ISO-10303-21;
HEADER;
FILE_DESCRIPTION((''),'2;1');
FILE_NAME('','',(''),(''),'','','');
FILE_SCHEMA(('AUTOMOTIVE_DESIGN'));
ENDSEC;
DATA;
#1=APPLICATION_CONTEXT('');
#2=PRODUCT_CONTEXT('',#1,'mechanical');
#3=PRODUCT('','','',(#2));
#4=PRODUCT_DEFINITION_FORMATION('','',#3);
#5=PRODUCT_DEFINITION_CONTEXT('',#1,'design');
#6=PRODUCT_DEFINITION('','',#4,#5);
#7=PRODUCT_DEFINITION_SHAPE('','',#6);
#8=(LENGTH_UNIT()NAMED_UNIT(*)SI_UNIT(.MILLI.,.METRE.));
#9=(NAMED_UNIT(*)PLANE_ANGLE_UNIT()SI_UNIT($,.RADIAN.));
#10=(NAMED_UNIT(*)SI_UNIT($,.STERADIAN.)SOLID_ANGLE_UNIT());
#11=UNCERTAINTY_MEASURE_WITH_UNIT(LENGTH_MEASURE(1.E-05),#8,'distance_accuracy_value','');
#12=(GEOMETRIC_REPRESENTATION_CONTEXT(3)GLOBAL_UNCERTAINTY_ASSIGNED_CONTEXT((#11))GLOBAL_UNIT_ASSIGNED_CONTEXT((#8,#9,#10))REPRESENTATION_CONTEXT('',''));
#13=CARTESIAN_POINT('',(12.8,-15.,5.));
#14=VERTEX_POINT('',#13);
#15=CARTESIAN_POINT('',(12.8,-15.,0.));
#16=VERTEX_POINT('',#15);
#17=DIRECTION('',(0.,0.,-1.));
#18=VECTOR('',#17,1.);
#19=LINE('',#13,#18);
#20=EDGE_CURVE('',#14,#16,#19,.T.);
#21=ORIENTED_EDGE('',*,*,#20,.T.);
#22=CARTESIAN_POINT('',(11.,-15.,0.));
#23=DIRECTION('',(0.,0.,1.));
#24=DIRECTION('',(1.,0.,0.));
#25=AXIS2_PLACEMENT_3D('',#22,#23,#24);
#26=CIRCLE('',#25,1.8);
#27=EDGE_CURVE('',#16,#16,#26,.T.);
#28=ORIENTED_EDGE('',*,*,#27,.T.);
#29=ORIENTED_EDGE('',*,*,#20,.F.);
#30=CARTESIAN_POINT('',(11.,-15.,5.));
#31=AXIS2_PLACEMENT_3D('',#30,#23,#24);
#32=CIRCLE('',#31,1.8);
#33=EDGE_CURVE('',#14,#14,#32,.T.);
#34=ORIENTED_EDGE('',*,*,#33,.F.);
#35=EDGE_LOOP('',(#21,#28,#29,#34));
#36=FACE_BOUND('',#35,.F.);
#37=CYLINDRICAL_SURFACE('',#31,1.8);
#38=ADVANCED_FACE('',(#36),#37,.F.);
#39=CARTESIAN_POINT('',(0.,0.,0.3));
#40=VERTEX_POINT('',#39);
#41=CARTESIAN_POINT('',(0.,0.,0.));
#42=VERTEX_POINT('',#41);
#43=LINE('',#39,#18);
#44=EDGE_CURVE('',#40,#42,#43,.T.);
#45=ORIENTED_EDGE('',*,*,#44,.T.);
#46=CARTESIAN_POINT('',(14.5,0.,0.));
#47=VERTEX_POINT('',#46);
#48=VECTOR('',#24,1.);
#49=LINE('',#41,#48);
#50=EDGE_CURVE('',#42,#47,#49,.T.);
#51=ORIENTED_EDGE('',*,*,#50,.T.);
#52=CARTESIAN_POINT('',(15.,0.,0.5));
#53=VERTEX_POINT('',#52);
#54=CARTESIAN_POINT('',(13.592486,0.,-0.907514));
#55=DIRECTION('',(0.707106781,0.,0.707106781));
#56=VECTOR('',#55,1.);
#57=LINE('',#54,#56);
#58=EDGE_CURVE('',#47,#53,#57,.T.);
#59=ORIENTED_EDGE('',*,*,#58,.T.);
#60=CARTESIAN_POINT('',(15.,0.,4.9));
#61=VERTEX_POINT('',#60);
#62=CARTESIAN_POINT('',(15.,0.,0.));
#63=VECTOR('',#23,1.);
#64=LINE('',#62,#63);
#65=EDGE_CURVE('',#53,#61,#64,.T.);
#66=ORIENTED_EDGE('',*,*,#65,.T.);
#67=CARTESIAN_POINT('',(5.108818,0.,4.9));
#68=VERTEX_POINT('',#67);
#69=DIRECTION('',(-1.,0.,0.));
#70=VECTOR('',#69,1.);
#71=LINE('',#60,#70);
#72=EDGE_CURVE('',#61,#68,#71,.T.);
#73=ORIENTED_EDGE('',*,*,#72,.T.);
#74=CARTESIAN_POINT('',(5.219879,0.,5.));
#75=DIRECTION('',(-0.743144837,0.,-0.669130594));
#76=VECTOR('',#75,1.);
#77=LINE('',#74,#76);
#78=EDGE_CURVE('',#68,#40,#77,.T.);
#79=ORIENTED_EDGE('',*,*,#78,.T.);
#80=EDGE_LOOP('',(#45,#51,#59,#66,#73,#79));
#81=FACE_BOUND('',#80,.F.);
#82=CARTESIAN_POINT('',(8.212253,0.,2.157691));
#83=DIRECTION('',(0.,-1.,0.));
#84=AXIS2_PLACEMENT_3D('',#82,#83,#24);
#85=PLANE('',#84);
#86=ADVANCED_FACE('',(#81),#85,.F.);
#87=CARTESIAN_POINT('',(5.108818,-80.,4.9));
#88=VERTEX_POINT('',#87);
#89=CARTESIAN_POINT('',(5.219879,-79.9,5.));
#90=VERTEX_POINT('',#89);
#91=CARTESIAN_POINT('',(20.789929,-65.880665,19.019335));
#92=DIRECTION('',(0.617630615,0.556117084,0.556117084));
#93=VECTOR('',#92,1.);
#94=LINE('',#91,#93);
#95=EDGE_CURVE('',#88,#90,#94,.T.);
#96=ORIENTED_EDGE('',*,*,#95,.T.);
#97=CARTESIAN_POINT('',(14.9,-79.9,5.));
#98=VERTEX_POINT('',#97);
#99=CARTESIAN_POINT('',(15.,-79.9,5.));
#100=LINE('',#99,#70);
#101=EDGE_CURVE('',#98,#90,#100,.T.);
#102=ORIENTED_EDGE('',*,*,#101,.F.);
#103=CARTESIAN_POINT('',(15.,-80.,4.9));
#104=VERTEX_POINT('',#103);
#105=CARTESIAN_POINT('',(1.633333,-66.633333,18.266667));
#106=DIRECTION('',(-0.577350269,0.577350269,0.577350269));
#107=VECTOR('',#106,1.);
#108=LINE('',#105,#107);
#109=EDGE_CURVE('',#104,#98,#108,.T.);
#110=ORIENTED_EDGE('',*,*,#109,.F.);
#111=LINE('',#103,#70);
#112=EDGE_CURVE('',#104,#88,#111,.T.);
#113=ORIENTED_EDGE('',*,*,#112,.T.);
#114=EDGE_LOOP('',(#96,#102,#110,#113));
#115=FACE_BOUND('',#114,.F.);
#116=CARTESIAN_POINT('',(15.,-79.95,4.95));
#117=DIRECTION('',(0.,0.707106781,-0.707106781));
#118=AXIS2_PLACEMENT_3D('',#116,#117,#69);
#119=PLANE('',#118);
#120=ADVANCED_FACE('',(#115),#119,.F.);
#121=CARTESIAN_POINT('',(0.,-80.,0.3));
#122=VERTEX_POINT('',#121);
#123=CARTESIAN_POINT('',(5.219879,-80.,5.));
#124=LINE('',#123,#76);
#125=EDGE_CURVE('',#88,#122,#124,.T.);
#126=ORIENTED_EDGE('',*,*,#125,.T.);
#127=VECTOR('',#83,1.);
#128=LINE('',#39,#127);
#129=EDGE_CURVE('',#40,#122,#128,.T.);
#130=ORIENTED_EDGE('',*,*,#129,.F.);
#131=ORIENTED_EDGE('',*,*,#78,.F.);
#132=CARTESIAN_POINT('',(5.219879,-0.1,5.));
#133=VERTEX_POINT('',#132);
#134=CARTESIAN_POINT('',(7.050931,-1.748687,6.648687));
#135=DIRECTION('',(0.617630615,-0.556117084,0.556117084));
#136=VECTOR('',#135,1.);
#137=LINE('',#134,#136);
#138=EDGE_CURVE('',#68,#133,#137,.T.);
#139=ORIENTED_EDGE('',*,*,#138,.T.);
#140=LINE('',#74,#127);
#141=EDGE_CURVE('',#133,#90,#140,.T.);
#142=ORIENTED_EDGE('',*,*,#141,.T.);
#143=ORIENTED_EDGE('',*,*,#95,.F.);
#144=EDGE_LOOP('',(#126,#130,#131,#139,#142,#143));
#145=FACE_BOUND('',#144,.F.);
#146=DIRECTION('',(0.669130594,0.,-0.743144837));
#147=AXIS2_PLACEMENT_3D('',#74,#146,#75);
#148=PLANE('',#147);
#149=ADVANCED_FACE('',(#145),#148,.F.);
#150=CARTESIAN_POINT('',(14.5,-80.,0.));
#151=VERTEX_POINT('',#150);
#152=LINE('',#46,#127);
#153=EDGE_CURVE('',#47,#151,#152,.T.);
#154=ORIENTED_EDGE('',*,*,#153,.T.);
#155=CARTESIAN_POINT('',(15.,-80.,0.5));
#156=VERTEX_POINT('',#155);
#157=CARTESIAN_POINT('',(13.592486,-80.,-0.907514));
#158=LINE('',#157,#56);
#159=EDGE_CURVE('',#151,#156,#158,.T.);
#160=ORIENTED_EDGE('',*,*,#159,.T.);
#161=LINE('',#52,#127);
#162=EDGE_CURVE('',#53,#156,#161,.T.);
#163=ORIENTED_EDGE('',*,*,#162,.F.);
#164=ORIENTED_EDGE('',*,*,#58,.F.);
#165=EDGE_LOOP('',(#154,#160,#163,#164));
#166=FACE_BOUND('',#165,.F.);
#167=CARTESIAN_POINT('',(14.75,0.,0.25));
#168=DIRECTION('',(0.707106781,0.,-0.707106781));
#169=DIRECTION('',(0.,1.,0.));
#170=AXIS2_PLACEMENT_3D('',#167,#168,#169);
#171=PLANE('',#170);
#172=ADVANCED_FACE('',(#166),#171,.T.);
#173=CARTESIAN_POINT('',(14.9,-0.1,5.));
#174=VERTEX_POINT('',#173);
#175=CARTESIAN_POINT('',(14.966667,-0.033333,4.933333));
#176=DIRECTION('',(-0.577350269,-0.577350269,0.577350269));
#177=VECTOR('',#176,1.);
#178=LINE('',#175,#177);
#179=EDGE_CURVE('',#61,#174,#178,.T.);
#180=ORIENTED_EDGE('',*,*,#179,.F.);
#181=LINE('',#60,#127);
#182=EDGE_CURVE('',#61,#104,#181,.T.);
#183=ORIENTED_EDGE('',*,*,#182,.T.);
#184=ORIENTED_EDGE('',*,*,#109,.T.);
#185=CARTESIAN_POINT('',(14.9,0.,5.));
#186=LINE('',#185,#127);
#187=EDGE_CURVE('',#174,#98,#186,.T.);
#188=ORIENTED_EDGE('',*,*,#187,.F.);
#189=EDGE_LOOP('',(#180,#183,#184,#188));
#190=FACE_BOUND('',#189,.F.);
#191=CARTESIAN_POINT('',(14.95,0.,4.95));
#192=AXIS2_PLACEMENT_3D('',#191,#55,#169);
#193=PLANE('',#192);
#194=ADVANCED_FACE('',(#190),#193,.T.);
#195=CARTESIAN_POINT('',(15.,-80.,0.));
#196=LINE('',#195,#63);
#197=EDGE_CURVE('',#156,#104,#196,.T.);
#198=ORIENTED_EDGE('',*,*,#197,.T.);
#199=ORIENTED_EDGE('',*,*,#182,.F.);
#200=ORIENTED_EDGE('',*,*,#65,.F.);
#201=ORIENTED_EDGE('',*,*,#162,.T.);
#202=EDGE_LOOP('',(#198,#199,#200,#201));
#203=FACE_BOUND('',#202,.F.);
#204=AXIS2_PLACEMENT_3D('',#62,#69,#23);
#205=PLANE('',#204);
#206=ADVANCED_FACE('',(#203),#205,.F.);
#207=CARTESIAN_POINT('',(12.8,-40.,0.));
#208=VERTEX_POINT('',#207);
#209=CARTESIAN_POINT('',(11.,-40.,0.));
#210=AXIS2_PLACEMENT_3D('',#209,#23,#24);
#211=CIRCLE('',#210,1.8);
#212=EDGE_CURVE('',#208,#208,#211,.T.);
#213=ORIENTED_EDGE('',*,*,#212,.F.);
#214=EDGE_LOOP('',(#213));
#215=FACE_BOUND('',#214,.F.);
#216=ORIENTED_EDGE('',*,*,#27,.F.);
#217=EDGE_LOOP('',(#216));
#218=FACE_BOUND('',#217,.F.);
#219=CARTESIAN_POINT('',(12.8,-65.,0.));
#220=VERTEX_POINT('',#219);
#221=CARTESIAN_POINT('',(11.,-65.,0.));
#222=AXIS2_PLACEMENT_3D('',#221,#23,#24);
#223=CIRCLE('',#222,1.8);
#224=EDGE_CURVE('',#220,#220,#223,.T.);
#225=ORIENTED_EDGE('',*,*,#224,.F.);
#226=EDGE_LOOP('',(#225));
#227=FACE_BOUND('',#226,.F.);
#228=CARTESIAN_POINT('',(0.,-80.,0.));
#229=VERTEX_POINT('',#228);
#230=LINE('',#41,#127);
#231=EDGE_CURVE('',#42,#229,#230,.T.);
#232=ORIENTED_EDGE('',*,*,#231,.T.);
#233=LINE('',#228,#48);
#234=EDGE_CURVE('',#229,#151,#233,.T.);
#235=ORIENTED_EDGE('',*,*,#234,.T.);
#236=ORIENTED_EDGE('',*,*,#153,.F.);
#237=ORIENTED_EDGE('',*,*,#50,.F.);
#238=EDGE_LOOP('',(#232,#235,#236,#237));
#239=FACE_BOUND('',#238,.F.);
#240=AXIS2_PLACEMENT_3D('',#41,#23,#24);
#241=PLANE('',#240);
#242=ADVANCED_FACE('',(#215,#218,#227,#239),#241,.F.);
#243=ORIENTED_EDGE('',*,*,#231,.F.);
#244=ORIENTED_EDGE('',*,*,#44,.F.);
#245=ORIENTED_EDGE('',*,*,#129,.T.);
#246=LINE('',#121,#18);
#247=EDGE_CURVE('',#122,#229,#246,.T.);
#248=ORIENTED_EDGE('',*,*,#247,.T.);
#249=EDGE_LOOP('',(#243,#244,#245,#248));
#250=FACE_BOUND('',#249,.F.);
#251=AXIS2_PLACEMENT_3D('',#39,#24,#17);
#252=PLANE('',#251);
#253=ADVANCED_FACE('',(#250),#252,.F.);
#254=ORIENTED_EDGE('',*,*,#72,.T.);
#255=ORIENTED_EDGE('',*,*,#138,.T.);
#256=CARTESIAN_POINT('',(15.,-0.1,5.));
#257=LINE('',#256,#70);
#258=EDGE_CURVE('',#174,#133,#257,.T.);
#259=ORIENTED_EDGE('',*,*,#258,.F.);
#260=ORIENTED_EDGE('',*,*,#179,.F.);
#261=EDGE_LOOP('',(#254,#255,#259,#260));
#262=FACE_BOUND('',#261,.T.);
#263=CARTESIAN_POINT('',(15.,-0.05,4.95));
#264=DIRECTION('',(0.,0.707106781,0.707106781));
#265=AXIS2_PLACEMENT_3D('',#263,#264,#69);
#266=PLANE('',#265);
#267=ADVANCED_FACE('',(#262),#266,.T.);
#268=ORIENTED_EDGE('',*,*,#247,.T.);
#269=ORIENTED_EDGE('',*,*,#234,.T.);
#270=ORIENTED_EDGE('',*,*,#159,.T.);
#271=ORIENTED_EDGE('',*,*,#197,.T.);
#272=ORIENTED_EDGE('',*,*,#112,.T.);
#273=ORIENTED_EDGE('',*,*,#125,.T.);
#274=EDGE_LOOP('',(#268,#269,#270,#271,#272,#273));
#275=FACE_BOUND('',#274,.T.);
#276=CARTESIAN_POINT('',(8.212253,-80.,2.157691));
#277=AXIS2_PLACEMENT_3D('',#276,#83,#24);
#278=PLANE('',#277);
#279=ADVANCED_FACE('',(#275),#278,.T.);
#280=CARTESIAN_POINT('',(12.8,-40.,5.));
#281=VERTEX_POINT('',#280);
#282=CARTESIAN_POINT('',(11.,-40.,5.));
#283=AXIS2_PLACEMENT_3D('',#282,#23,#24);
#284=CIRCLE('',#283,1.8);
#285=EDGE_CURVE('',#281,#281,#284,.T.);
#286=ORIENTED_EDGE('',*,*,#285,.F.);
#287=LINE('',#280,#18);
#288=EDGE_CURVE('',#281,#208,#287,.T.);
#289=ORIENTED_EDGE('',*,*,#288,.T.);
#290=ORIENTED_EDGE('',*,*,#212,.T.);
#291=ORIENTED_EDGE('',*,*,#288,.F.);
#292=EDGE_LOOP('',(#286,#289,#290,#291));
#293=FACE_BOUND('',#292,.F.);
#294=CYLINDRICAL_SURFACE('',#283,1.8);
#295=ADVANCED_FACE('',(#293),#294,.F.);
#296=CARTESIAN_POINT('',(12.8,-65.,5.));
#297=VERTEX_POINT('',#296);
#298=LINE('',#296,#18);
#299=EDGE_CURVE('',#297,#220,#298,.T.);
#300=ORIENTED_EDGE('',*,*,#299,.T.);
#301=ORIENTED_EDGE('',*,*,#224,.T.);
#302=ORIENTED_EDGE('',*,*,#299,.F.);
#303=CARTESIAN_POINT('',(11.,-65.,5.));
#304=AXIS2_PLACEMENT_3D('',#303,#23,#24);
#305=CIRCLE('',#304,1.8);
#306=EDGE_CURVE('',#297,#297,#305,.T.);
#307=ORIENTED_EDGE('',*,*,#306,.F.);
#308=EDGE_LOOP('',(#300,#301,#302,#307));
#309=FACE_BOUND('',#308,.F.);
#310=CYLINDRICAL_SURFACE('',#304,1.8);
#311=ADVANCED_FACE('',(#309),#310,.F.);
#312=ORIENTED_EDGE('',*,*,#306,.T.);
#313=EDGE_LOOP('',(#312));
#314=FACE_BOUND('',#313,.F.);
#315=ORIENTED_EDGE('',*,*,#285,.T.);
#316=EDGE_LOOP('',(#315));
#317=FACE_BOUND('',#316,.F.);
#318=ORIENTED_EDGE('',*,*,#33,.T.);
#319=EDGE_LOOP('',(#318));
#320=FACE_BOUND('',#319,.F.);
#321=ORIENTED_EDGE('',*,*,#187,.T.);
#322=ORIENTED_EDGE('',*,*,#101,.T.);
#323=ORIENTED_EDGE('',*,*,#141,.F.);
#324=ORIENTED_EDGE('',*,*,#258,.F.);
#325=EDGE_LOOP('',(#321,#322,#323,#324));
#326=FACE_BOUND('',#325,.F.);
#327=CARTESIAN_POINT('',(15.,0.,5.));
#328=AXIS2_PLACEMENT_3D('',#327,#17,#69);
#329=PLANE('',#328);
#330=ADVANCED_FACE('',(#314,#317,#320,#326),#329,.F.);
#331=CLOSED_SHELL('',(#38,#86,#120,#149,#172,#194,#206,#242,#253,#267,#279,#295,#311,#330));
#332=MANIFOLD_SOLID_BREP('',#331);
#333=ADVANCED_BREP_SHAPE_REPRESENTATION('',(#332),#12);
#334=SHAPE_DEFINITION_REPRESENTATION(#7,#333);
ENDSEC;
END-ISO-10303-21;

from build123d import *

# Parameters (mm, degrees)
F1_DEPTH = 80
F2_R     = 1.8
F3_DEPTH = 5.001
F4_SIZE  = 0.5
F5_SIZE  = 0.1


with BuildPart() as f1:
    # F0 (on Front) → F1 (new body)
    with BuildSketch(Plane.XZ):
        Polygon((0, 0.3), (0, 0), (15, 0), (15, 5), (5.219879, 5), align=None)
    extrude(amount=F1_DEPTH)

    # F2 (on face) → F3 (cut, through all)
    with BuildSketch(Plane.XY.offset(5)):
        with Locations((11, -40)):
            Circle(F2_R)
        with Locations((11, -15)):
            Circle(F2_R)
        with Locations((11, -65)):
            Circle(F2_R)
    extrude(amount=-F3_DEPTH, mode=Mode.SUBTRACT)

    # F4
    f4_edges = [f1.edges().sort_by_distance(p)[0] for p in [
        (15, -40, 0),
    ]]
    chamfer(f4_edges, length=F4_SIZE)

    # F5
    f5_edges = [f1.edges().sort_by_distance(p)[0] for p in [
        (15, -40, 5),
        (10.109939, -80, 5),
        (10.109939, 0, 5),
    ]]
    chamfer(f5_edges, length=F5_SIZE)


solid = f1.part
